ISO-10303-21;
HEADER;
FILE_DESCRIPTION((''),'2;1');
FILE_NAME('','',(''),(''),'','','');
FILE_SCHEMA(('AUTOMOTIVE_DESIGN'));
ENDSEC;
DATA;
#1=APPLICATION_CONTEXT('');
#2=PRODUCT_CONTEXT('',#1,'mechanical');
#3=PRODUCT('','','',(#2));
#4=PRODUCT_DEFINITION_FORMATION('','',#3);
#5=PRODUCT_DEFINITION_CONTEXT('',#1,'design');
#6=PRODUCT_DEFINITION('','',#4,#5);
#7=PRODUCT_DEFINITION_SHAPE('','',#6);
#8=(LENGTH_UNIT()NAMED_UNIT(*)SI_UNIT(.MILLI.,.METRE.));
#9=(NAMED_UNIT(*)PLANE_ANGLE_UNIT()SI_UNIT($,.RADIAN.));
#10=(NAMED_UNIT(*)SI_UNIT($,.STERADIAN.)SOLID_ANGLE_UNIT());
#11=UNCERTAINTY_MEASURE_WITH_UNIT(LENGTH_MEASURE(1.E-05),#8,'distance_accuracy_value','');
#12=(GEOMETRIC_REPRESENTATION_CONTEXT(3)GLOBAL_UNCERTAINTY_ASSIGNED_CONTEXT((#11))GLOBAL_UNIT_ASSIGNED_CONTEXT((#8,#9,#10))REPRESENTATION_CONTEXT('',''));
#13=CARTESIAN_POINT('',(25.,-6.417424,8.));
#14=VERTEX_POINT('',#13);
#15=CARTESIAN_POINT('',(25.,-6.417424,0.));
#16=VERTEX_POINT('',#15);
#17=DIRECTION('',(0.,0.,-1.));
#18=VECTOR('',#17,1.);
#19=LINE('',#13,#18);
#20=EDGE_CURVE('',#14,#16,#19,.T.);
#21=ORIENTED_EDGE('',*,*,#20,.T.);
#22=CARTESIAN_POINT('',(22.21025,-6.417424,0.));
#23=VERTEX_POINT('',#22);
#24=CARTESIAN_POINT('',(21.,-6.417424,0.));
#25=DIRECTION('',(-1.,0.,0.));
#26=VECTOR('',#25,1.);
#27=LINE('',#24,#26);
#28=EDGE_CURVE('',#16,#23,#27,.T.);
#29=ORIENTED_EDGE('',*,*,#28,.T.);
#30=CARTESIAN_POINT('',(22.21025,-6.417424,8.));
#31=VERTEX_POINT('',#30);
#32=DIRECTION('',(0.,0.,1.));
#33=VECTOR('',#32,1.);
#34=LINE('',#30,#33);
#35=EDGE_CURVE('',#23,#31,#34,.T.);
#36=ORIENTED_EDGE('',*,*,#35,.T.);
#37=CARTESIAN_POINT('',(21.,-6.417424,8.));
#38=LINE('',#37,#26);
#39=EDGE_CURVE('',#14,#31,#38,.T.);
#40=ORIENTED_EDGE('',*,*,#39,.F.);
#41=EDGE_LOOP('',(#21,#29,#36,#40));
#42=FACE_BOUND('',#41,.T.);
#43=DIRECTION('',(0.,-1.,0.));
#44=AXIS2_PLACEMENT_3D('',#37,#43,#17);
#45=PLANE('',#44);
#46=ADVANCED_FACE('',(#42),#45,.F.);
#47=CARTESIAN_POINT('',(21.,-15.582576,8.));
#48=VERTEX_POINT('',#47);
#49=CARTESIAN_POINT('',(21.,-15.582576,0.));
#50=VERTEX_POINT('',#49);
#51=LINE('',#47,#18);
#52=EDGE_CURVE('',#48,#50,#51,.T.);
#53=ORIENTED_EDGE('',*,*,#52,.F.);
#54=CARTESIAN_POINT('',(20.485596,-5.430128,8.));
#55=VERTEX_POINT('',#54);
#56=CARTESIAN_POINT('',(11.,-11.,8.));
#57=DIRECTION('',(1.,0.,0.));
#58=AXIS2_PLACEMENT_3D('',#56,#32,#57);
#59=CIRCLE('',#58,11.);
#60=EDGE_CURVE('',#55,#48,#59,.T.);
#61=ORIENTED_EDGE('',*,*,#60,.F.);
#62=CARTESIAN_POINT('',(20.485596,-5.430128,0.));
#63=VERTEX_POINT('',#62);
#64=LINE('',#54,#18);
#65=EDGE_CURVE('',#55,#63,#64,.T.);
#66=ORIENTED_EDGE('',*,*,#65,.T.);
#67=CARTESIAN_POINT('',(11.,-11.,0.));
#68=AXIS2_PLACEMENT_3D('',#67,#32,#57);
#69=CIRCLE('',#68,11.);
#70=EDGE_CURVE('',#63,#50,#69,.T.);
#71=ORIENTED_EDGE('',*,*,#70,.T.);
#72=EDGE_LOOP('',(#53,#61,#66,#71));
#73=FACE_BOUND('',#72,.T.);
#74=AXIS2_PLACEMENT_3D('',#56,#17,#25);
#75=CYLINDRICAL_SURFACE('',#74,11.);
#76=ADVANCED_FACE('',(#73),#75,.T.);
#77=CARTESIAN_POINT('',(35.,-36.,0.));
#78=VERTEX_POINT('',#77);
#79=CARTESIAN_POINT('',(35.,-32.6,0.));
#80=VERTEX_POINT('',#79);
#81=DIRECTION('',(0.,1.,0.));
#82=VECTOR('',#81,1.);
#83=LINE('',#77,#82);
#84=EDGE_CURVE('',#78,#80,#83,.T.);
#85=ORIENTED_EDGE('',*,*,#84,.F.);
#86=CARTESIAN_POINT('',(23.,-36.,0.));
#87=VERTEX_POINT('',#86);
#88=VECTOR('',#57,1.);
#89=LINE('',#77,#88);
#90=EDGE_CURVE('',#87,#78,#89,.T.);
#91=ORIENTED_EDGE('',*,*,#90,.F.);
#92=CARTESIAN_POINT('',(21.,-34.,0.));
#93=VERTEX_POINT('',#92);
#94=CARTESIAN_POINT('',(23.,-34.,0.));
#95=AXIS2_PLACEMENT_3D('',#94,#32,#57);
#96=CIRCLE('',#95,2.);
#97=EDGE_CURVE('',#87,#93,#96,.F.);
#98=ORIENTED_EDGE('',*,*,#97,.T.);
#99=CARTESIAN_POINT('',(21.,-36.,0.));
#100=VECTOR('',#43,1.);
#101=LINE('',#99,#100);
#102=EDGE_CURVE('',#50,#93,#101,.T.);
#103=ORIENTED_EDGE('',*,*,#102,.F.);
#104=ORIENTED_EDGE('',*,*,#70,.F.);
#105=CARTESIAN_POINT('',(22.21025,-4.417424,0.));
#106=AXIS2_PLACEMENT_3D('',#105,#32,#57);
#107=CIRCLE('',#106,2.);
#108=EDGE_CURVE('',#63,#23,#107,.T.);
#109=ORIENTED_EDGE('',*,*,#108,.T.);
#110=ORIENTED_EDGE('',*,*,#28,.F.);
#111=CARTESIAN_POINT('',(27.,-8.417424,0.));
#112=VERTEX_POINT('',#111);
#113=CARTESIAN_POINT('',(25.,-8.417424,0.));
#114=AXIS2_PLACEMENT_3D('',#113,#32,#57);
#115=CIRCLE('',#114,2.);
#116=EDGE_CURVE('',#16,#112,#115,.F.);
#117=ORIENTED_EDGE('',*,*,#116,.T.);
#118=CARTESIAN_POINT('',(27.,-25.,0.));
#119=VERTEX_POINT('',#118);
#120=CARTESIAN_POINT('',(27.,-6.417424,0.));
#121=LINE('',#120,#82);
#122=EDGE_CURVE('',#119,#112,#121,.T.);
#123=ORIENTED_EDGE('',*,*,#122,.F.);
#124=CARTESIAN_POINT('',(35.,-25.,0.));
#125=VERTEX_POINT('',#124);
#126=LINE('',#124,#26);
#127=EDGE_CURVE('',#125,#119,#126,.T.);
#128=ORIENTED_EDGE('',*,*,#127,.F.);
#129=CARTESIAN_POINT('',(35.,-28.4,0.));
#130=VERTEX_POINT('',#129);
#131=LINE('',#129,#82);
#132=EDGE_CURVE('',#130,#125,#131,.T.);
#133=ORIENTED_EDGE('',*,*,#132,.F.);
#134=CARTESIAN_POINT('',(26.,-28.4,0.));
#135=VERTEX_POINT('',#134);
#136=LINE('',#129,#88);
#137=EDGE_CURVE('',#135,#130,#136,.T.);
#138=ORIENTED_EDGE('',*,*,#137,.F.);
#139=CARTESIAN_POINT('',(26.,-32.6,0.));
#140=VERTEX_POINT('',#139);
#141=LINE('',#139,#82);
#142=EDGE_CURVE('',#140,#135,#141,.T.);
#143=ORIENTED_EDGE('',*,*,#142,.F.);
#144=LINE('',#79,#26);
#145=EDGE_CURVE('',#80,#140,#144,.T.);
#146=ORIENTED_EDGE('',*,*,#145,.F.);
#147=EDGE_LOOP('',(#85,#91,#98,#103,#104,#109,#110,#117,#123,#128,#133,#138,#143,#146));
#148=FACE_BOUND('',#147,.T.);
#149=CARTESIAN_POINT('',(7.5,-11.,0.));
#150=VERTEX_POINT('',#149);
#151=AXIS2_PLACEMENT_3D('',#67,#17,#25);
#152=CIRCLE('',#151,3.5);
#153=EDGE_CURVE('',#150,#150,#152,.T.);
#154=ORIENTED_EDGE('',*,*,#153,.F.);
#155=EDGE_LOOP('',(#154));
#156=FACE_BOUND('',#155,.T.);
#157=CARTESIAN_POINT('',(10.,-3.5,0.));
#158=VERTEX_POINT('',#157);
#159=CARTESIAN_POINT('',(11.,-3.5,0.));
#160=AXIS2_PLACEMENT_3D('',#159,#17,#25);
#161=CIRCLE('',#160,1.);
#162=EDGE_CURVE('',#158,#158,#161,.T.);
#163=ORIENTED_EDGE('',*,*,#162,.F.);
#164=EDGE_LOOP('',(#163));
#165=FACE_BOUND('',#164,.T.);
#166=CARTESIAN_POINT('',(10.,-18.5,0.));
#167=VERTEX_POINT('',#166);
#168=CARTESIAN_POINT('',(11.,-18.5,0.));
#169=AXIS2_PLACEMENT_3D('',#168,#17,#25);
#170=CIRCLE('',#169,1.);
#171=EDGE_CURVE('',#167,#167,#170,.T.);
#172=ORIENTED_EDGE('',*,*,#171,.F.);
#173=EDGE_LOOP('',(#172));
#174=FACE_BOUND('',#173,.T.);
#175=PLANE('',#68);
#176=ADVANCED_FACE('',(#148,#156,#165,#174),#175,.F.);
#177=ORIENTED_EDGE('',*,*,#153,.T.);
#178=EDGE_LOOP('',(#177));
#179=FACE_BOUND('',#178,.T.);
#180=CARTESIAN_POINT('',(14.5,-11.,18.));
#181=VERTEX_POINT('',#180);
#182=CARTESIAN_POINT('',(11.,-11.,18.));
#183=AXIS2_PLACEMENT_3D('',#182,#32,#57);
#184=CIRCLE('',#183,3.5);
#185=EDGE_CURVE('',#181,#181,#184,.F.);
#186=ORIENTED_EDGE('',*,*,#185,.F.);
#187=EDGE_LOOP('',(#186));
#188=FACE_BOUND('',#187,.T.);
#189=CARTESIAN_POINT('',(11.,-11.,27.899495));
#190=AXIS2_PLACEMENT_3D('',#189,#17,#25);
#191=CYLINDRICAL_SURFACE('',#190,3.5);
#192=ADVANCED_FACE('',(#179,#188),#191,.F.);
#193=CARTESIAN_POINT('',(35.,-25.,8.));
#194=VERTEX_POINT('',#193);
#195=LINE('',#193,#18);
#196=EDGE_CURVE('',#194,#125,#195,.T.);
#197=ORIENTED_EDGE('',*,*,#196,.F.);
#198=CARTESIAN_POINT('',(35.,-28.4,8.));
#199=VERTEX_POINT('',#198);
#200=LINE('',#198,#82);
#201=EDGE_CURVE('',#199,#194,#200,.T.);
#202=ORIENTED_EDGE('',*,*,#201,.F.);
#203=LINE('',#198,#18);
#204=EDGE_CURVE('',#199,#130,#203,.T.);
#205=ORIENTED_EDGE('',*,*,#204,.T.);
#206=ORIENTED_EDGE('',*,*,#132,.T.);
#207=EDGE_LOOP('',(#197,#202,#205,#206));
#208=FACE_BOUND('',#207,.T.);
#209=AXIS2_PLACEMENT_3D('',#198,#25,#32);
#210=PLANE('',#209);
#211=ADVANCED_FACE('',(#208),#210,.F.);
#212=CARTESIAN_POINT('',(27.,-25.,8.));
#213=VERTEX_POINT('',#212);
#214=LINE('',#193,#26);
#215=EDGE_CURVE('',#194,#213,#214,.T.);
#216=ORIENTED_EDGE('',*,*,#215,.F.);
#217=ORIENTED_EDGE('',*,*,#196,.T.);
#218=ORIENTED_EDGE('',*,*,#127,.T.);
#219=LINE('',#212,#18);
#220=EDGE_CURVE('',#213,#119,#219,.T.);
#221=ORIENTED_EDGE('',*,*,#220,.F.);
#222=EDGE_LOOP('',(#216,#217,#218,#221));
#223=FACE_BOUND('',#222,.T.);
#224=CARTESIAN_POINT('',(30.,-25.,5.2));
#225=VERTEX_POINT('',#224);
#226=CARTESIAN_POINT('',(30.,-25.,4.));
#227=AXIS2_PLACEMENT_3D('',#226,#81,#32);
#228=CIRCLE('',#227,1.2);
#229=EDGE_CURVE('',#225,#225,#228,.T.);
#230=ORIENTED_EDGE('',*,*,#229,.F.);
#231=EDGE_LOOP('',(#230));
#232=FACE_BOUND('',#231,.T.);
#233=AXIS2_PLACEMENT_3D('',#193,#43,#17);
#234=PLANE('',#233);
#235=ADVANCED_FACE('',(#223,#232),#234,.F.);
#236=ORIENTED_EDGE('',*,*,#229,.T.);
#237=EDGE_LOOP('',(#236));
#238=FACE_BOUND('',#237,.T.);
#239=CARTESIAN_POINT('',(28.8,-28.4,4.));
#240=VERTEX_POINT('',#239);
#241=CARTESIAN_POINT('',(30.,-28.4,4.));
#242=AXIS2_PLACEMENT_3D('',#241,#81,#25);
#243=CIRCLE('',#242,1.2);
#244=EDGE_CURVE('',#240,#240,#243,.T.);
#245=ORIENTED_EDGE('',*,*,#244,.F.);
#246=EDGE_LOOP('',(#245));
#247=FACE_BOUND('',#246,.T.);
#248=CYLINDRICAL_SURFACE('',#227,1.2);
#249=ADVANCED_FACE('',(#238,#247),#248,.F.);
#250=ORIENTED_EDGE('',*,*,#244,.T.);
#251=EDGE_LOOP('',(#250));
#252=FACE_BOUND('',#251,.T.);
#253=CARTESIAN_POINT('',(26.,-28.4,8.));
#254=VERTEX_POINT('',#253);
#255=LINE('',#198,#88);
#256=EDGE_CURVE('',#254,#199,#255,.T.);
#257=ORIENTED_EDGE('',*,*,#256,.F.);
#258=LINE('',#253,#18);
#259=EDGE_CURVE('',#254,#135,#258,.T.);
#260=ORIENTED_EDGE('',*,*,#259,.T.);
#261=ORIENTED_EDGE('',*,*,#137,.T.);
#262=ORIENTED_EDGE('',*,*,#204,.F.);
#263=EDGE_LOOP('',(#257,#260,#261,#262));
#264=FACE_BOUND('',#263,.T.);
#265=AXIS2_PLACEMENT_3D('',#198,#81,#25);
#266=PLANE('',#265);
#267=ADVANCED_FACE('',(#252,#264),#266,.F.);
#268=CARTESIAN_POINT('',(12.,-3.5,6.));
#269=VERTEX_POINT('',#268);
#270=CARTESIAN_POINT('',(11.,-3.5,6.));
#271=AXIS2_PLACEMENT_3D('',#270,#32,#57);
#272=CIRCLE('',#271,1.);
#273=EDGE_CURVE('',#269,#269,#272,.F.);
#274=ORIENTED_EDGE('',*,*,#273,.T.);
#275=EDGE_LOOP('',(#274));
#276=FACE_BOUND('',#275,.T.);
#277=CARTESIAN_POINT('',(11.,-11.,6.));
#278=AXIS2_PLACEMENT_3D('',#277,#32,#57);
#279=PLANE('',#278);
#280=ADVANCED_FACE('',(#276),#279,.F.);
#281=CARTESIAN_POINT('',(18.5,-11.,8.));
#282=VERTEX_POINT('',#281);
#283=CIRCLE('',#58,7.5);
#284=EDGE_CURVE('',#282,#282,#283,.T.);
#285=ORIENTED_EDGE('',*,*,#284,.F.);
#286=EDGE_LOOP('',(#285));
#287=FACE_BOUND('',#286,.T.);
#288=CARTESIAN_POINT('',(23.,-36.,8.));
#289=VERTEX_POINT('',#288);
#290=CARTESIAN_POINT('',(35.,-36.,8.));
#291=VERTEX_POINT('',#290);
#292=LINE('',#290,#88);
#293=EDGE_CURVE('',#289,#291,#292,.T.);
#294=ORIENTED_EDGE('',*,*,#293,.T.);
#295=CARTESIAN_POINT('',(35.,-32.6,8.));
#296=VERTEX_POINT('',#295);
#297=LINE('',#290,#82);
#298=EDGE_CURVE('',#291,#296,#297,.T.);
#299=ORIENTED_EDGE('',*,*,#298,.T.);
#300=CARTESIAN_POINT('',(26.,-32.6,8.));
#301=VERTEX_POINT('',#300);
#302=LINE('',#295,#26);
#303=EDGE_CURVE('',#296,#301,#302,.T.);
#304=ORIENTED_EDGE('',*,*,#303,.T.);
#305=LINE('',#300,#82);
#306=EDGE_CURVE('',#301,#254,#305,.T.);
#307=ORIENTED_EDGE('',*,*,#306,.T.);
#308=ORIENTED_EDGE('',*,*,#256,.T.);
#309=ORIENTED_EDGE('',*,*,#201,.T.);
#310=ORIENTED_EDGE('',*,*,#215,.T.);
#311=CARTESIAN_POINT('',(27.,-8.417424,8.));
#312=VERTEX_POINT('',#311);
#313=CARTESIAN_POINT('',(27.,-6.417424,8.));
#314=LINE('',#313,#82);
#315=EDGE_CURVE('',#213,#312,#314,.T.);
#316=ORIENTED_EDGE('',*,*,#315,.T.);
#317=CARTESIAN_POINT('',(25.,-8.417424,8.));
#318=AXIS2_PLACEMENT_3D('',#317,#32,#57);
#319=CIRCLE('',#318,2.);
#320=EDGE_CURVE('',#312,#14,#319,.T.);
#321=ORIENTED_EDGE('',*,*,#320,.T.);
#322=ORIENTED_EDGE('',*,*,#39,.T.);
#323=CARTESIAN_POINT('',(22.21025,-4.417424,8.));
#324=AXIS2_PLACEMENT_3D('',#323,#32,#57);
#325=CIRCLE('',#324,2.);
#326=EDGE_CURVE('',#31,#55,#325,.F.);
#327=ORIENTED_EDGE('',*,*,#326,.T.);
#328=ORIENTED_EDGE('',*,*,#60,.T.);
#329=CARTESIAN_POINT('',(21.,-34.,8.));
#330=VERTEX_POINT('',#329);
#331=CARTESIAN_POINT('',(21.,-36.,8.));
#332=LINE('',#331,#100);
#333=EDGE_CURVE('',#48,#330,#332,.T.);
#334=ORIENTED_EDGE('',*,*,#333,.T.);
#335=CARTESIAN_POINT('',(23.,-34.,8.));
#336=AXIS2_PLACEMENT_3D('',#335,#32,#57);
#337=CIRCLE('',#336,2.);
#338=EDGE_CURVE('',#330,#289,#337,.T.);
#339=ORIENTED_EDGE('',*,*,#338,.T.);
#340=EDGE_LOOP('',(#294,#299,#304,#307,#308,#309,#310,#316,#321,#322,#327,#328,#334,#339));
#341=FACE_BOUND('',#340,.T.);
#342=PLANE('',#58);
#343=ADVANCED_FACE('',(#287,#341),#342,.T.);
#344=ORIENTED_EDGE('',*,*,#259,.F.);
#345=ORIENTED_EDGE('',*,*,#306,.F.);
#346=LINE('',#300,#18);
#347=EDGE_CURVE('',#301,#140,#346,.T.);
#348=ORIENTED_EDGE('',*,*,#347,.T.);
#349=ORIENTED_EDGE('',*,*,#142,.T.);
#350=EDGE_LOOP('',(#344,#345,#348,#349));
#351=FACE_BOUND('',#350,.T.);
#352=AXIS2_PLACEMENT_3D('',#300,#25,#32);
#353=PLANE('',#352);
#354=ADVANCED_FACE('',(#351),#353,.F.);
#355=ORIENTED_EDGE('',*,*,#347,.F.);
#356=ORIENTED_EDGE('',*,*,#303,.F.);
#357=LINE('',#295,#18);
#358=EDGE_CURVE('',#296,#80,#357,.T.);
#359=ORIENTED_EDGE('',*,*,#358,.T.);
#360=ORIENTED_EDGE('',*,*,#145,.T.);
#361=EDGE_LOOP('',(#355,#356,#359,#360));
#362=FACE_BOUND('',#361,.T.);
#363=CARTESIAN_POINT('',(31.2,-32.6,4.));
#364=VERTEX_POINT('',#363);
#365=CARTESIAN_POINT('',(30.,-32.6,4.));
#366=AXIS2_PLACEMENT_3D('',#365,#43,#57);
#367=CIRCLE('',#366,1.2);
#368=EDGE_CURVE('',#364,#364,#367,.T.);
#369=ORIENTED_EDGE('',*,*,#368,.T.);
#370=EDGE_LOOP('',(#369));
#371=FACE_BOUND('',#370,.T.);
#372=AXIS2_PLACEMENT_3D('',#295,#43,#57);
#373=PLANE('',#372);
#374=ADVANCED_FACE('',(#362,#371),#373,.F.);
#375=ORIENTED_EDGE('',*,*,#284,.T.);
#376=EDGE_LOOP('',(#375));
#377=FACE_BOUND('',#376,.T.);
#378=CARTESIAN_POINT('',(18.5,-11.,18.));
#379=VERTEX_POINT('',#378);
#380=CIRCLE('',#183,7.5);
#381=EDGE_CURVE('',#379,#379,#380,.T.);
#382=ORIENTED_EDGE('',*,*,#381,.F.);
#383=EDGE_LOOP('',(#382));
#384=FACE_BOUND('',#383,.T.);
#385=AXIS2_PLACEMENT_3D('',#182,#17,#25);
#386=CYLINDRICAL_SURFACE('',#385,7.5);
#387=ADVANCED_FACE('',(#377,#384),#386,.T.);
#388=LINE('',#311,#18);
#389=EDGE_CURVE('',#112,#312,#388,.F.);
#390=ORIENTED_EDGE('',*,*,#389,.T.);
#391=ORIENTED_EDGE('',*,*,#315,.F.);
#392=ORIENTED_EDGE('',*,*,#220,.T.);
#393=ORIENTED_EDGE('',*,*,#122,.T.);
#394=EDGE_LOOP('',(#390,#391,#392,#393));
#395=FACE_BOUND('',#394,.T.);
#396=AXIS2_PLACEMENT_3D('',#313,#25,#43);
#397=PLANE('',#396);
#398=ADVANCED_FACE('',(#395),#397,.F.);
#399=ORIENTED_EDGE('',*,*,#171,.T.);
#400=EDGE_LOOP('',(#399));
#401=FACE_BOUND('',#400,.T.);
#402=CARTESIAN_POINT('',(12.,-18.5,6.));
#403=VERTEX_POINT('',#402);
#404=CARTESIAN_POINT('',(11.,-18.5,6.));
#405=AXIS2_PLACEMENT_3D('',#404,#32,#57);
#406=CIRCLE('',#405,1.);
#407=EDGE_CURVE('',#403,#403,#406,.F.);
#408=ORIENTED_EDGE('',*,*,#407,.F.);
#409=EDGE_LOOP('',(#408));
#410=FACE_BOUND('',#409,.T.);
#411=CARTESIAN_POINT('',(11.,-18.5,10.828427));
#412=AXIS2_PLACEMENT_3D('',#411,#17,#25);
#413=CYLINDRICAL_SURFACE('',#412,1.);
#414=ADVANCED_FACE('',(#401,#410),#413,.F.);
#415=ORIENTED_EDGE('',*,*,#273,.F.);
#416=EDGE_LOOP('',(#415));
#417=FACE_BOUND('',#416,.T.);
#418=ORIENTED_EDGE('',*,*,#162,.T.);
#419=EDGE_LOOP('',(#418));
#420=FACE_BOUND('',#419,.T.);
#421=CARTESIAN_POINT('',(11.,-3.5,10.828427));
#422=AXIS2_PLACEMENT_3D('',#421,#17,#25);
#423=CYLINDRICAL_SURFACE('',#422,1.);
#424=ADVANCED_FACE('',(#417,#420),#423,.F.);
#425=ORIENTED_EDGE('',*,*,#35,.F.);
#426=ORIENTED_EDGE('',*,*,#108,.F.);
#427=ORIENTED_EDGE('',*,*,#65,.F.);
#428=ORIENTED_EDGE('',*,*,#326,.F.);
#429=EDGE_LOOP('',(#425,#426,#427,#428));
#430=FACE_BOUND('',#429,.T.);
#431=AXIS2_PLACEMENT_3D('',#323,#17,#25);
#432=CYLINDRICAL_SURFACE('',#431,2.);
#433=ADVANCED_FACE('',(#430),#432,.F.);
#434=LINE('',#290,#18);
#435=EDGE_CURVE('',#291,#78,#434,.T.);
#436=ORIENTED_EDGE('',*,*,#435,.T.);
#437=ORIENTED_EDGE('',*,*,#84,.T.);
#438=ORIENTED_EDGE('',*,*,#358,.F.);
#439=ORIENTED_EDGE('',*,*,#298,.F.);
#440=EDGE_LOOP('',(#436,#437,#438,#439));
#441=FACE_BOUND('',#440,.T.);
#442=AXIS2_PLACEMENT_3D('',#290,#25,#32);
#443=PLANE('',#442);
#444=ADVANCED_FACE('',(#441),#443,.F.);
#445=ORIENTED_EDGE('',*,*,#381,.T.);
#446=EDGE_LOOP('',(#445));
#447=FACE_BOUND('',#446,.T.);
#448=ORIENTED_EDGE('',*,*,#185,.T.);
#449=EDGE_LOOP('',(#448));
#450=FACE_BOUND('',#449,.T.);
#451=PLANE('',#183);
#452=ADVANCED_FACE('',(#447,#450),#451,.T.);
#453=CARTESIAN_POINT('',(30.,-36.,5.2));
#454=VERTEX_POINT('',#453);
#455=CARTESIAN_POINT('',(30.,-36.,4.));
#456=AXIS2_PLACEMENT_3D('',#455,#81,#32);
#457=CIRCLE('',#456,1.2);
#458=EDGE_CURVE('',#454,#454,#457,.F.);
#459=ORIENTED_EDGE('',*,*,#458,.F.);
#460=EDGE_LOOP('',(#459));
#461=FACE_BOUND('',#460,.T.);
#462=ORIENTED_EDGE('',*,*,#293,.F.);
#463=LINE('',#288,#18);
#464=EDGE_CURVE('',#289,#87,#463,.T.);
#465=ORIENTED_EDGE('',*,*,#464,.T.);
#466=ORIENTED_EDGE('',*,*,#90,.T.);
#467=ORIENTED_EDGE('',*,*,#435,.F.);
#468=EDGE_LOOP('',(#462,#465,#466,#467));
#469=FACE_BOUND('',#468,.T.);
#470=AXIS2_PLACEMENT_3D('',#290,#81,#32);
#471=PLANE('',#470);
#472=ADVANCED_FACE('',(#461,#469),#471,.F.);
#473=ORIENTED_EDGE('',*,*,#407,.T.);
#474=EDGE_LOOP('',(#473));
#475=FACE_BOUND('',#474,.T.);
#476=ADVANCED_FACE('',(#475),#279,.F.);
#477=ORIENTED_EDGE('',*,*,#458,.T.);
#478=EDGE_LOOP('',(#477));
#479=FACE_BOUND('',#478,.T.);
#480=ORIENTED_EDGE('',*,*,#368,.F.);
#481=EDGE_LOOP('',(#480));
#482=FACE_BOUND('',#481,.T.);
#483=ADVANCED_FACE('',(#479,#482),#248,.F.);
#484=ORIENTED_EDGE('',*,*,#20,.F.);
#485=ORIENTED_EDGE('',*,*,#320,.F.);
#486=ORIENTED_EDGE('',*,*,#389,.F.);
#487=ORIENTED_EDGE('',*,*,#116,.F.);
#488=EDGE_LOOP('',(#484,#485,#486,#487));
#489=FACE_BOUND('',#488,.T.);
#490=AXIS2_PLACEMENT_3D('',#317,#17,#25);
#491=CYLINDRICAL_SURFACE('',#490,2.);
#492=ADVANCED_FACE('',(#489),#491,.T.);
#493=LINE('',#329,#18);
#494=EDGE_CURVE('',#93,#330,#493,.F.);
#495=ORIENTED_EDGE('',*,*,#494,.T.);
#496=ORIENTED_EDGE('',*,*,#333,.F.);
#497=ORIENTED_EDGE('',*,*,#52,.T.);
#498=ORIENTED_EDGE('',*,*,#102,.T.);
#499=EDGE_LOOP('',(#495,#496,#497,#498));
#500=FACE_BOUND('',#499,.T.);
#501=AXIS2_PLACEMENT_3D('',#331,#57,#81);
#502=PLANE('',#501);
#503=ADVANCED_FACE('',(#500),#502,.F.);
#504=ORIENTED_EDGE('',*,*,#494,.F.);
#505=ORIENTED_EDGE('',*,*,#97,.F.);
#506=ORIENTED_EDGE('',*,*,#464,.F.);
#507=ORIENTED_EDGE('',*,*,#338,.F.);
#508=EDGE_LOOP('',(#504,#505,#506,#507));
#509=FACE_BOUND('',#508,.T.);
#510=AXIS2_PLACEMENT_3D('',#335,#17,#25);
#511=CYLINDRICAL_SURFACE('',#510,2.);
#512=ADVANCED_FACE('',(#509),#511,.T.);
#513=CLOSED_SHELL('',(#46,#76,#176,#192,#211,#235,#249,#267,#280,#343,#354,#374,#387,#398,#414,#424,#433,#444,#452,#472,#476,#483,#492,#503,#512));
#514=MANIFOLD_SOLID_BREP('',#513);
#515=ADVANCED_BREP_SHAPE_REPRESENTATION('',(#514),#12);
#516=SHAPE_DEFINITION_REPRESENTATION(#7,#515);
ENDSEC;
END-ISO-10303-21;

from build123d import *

# Parameters (mm, degrees)
BOSS_EXTRU_1_DEPTH      = 8
ENL_V_MAT_EXTRU_1_REACH = 45.749
ESQUISSE2_R             = 1
D_GAGEMENT_M21_D        = 2.4
D_GAGEMENT_M21_DEPTH    = 11
D_GAGEMENT_M21_TIP      = 0.721032743
CONG_1_R                = 2
ESQUISSE5_R             = 7.5
BOSS_EXTRU_2_DEPTH      = 10
ESQUISSE6_R             = 1
ENL_V_MAT_EXTRU_2_DEPTH = 6
ESQUISSE8_R             = 3.5
ENL_V_MAT_EXTRU_3_DEPTH = 18


with BuildPart() as part:
    # Esquisse1 → Boss.-Extru.1 (new body)
    with BuildSketch(Plane.XY):
        with BuildLine():
            Line((21, -6.417424305), (27, -6.417424305))
            Line((27, -6.417424305), (27, -25))
            Line((27, -25), (35, -25))
            Line((35, -25), (35, -28.4))
            Line((35, -28.4), (26, -28.4))
            Line((26, -28.4), (26, -32.6))
            Line((26, -32.6), (35, -32.6))
            Line((35, -32.6), (35, -36))
            Line((35, -36), (21, -36))
            Line((21, -36), (21, -15.582575695))
            ThreePointArc((21, -15.582575695), (0, -11), (21, -6.417424305))
        make_face()
    extrude(amount=BOSS_EXTRU_1_DEPTH)

    # Enlèv. mat.-Extru.1: up to this face of the body (flat: up to its plane)
    enl_v_mat_extru_1_end = Plane(part.part.faces().sort_by_distance((28, -36, 4))[0])
    # Esquisse2 → Enlèv. mat.-Extru.1 (cut, up to the picked face)
    with BuildSketch(Plane(origin=(0, -25, 0), x_dir=(1, 0, 0), z_dir=(0, 1, 0)), mode=Mode.PRIVATE) as enl_v_mat_extru_1_sk1:
        with Locations(Location((30, -4, 0), (0, 0, 270))):
            Circle(ESQUISSE2_R)
    enl_v_mat_extru_1_tool1 = split(extrude(enl_v_mat_extru_1_sk1.sketch, amount=-ENL_V_MAT_EXTRU_1_REACH, mode=Mode.PRIVATE), bisect_by=enl_v_mat_extru_1_end, keep=Keep.BOTH, mode=Mode.PRIVATE)
    add(enl_v_mat_extru_1_tool1.solids().sort_by(Axis((30, -25, 4), (0, -1, 0)))[0], mode=Mode.SUBTRACT)

    # Dégagement M21
    with Locations(Plane(origin=(0, -25, 0), x_dir=(1, 0, 0), z_dir=(0, 1, 0))):
        with Locations((30, -4)):
            Hole(D_GAGEMENT_M21_D / 2, depth=D_GAGEMENT_M21_DEPTH)
            with Locations((0, 0, -(D_GAGEMENT_M21_DEPTH + D_GAGEMENT_M21_TIP / 2))):  # 118° drill point
                Cone(0, D_GAGEMENT_M21_D / 2, D_GAGEMENT_M21_TIP, mode=Mode.SUBTRACT)

    # Congé1
    cong_1_edges = [part.edges().sort_by_distance(p)[0] for p in [
        (21, -36, 4),
        (21, -6.417424305, 4),
        (27, -6.417424305, 4),
    ]]
    fillet(cong_1_edges, radius=CONG_1_R)

    # Esquisse5 → Boss.-Extru.2 (add)
    with BuildSketch(Plane.XY.offset(8)):
        with Locations((11, -11)):
            Circle(ESQUISSE5_R)
    extrude(amount=BOSS_EXTRU_2_DEPTH)

    # Esquisse6 → Enlèv. mat.-Extru.2 (cut)
    with BuildSketch(Plane(origin=(0, 0, 0), x_dir=(-1, 0, 0), z_dir=(0, 0, -1))):
        with Locations((-11, -3.5)):
            Circle(ESQUISSE6_R)
        with Locations((-11, -18.5)):
            Circle(ESQUISSE6_R)
    extrude(amount=-ENL_V_MAT_EXTRU_2_DEPTH, mode=Mode.SUBTRACT)

    # Esquisse8 → Enlèv. mat.-Extru.3 (cut)
    with BuildSketch(Plane(origin=(0, 0, 0), x_dir=(-1, 0, 0), z_dir=(0, 0, -1))):
        with Locations((-11, -11)):
            Circle(ESQUISSE8_R)
    extrude(amount=-ENL_V_MAT_EXTRU_3_DEPTH, mode=Mode.SUBTRACT)


solid = part.part
